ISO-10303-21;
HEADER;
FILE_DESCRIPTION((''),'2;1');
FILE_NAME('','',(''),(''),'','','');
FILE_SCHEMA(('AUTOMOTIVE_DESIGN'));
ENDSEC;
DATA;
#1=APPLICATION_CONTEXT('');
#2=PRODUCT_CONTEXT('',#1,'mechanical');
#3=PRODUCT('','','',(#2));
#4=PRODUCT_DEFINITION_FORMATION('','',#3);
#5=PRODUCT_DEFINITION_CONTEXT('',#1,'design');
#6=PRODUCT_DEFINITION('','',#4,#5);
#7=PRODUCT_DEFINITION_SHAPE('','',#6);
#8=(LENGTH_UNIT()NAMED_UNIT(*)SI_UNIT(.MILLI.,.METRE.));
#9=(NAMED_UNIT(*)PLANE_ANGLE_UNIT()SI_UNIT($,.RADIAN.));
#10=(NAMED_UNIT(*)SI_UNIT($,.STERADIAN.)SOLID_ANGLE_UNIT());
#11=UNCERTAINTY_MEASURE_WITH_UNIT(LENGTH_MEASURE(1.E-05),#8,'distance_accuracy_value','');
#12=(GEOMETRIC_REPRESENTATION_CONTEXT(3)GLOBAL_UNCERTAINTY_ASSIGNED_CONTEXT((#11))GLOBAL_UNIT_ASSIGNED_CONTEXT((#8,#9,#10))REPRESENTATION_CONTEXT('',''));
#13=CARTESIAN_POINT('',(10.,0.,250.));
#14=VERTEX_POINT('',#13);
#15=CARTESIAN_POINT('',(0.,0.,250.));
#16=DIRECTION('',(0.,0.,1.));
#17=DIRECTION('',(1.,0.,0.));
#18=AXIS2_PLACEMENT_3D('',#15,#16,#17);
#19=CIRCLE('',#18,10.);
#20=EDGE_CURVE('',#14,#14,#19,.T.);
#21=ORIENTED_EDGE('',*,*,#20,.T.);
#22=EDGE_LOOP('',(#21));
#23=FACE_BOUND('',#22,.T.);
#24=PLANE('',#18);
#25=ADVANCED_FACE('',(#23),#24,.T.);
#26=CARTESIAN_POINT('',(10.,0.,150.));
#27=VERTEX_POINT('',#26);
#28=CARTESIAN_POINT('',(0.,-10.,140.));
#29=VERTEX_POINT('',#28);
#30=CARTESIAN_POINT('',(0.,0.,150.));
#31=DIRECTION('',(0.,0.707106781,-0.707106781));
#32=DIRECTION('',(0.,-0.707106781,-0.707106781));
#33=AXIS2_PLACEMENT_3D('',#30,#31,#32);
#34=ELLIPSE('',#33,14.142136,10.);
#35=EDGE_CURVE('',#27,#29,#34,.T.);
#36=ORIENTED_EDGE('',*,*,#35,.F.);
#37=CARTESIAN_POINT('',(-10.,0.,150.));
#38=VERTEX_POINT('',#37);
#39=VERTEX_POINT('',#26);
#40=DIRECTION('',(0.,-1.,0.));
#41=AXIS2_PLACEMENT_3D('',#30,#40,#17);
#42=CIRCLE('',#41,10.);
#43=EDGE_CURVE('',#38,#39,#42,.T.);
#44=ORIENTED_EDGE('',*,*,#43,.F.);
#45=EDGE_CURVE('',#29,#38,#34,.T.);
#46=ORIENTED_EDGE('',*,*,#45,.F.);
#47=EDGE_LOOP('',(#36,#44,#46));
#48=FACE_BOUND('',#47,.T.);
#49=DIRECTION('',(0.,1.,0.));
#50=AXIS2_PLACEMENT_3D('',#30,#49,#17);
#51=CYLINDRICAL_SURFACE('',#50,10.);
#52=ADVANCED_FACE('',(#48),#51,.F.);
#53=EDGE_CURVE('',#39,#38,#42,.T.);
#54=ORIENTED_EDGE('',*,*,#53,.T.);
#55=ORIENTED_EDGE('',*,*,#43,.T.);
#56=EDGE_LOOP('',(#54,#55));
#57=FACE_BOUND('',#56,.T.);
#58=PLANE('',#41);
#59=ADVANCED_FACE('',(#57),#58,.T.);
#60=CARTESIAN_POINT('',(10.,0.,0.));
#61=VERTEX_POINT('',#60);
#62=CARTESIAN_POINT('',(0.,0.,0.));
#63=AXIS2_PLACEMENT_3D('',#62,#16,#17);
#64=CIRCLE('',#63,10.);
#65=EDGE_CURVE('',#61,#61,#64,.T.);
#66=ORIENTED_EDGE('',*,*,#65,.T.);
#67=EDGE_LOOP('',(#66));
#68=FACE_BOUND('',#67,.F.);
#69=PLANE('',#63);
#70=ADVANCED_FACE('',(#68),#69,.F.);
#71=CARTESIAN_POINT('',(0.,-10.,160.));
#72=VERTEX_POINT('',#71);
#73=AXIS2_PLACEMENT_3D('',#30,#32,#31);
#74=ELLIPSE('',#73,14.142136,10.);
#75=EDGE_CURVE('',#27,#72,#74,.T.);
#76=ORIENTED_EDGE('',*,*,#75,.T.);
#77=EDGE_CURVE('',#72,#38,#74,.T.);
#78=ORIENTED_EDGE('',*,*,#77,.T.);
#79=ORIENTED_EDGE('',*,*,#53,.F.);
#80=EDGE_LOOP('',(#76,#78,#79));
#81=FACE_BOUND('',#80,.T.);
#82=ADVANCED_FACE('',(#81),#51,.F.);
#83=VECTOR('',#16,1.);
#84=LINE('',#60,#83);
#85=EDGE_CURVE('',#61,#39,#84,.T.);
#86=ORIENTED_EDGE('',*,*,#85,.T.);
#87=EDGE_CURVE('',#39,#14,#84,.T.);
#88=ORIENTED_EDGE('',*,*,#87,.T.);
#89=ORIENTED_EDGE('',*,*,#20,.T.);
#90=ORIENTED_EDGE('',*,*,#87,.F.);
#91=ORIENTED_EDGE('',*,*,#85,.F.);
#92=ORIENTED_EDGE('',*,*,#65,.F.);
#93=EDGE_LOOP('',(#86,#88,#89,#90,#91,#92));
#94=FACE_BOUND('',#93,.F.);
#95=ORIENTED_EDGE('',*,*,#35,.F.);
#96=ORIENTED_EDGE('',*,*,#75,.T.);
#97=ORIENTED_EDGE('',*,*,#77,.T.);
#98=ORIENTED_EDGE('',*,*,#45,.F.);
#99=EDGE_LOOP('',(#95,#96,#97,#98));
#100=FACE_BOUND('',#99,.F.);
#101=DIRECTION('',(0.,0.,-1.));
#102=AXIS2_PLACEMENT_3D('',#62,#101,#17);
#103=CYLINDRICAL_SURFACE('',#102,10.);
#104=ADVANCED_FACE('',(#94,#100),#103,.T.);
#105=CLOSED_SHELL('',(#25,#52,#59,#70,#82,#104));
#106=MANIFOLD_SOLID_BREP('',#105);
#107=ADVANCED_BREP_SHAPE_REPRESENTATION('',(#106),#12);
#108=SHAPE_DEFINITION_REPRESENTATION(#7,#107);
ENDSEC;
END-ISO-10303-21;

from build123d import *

# Parameters (mm, degrees)
F0_R     = 10
F1_DEPTH = 250
F2_R     = 10
F3_DEPTH = 10


with BuildPart() as f1:
    # F0 (on Top) → F1 (new body)
    with BuildSketch(Plane.XY):
        Circle(F0_R)
    extrude(amount=F1_DEPTH)

    # F2 (on Front) → F3 (cut)
    with BuildSketch(Plane.XZ):
        with Locations((0, 150)):
            Circle(F2_R)
    extrude(amount=F3_DEPTH, mode=Mode.SUBTRACT)


solid = f1.part
